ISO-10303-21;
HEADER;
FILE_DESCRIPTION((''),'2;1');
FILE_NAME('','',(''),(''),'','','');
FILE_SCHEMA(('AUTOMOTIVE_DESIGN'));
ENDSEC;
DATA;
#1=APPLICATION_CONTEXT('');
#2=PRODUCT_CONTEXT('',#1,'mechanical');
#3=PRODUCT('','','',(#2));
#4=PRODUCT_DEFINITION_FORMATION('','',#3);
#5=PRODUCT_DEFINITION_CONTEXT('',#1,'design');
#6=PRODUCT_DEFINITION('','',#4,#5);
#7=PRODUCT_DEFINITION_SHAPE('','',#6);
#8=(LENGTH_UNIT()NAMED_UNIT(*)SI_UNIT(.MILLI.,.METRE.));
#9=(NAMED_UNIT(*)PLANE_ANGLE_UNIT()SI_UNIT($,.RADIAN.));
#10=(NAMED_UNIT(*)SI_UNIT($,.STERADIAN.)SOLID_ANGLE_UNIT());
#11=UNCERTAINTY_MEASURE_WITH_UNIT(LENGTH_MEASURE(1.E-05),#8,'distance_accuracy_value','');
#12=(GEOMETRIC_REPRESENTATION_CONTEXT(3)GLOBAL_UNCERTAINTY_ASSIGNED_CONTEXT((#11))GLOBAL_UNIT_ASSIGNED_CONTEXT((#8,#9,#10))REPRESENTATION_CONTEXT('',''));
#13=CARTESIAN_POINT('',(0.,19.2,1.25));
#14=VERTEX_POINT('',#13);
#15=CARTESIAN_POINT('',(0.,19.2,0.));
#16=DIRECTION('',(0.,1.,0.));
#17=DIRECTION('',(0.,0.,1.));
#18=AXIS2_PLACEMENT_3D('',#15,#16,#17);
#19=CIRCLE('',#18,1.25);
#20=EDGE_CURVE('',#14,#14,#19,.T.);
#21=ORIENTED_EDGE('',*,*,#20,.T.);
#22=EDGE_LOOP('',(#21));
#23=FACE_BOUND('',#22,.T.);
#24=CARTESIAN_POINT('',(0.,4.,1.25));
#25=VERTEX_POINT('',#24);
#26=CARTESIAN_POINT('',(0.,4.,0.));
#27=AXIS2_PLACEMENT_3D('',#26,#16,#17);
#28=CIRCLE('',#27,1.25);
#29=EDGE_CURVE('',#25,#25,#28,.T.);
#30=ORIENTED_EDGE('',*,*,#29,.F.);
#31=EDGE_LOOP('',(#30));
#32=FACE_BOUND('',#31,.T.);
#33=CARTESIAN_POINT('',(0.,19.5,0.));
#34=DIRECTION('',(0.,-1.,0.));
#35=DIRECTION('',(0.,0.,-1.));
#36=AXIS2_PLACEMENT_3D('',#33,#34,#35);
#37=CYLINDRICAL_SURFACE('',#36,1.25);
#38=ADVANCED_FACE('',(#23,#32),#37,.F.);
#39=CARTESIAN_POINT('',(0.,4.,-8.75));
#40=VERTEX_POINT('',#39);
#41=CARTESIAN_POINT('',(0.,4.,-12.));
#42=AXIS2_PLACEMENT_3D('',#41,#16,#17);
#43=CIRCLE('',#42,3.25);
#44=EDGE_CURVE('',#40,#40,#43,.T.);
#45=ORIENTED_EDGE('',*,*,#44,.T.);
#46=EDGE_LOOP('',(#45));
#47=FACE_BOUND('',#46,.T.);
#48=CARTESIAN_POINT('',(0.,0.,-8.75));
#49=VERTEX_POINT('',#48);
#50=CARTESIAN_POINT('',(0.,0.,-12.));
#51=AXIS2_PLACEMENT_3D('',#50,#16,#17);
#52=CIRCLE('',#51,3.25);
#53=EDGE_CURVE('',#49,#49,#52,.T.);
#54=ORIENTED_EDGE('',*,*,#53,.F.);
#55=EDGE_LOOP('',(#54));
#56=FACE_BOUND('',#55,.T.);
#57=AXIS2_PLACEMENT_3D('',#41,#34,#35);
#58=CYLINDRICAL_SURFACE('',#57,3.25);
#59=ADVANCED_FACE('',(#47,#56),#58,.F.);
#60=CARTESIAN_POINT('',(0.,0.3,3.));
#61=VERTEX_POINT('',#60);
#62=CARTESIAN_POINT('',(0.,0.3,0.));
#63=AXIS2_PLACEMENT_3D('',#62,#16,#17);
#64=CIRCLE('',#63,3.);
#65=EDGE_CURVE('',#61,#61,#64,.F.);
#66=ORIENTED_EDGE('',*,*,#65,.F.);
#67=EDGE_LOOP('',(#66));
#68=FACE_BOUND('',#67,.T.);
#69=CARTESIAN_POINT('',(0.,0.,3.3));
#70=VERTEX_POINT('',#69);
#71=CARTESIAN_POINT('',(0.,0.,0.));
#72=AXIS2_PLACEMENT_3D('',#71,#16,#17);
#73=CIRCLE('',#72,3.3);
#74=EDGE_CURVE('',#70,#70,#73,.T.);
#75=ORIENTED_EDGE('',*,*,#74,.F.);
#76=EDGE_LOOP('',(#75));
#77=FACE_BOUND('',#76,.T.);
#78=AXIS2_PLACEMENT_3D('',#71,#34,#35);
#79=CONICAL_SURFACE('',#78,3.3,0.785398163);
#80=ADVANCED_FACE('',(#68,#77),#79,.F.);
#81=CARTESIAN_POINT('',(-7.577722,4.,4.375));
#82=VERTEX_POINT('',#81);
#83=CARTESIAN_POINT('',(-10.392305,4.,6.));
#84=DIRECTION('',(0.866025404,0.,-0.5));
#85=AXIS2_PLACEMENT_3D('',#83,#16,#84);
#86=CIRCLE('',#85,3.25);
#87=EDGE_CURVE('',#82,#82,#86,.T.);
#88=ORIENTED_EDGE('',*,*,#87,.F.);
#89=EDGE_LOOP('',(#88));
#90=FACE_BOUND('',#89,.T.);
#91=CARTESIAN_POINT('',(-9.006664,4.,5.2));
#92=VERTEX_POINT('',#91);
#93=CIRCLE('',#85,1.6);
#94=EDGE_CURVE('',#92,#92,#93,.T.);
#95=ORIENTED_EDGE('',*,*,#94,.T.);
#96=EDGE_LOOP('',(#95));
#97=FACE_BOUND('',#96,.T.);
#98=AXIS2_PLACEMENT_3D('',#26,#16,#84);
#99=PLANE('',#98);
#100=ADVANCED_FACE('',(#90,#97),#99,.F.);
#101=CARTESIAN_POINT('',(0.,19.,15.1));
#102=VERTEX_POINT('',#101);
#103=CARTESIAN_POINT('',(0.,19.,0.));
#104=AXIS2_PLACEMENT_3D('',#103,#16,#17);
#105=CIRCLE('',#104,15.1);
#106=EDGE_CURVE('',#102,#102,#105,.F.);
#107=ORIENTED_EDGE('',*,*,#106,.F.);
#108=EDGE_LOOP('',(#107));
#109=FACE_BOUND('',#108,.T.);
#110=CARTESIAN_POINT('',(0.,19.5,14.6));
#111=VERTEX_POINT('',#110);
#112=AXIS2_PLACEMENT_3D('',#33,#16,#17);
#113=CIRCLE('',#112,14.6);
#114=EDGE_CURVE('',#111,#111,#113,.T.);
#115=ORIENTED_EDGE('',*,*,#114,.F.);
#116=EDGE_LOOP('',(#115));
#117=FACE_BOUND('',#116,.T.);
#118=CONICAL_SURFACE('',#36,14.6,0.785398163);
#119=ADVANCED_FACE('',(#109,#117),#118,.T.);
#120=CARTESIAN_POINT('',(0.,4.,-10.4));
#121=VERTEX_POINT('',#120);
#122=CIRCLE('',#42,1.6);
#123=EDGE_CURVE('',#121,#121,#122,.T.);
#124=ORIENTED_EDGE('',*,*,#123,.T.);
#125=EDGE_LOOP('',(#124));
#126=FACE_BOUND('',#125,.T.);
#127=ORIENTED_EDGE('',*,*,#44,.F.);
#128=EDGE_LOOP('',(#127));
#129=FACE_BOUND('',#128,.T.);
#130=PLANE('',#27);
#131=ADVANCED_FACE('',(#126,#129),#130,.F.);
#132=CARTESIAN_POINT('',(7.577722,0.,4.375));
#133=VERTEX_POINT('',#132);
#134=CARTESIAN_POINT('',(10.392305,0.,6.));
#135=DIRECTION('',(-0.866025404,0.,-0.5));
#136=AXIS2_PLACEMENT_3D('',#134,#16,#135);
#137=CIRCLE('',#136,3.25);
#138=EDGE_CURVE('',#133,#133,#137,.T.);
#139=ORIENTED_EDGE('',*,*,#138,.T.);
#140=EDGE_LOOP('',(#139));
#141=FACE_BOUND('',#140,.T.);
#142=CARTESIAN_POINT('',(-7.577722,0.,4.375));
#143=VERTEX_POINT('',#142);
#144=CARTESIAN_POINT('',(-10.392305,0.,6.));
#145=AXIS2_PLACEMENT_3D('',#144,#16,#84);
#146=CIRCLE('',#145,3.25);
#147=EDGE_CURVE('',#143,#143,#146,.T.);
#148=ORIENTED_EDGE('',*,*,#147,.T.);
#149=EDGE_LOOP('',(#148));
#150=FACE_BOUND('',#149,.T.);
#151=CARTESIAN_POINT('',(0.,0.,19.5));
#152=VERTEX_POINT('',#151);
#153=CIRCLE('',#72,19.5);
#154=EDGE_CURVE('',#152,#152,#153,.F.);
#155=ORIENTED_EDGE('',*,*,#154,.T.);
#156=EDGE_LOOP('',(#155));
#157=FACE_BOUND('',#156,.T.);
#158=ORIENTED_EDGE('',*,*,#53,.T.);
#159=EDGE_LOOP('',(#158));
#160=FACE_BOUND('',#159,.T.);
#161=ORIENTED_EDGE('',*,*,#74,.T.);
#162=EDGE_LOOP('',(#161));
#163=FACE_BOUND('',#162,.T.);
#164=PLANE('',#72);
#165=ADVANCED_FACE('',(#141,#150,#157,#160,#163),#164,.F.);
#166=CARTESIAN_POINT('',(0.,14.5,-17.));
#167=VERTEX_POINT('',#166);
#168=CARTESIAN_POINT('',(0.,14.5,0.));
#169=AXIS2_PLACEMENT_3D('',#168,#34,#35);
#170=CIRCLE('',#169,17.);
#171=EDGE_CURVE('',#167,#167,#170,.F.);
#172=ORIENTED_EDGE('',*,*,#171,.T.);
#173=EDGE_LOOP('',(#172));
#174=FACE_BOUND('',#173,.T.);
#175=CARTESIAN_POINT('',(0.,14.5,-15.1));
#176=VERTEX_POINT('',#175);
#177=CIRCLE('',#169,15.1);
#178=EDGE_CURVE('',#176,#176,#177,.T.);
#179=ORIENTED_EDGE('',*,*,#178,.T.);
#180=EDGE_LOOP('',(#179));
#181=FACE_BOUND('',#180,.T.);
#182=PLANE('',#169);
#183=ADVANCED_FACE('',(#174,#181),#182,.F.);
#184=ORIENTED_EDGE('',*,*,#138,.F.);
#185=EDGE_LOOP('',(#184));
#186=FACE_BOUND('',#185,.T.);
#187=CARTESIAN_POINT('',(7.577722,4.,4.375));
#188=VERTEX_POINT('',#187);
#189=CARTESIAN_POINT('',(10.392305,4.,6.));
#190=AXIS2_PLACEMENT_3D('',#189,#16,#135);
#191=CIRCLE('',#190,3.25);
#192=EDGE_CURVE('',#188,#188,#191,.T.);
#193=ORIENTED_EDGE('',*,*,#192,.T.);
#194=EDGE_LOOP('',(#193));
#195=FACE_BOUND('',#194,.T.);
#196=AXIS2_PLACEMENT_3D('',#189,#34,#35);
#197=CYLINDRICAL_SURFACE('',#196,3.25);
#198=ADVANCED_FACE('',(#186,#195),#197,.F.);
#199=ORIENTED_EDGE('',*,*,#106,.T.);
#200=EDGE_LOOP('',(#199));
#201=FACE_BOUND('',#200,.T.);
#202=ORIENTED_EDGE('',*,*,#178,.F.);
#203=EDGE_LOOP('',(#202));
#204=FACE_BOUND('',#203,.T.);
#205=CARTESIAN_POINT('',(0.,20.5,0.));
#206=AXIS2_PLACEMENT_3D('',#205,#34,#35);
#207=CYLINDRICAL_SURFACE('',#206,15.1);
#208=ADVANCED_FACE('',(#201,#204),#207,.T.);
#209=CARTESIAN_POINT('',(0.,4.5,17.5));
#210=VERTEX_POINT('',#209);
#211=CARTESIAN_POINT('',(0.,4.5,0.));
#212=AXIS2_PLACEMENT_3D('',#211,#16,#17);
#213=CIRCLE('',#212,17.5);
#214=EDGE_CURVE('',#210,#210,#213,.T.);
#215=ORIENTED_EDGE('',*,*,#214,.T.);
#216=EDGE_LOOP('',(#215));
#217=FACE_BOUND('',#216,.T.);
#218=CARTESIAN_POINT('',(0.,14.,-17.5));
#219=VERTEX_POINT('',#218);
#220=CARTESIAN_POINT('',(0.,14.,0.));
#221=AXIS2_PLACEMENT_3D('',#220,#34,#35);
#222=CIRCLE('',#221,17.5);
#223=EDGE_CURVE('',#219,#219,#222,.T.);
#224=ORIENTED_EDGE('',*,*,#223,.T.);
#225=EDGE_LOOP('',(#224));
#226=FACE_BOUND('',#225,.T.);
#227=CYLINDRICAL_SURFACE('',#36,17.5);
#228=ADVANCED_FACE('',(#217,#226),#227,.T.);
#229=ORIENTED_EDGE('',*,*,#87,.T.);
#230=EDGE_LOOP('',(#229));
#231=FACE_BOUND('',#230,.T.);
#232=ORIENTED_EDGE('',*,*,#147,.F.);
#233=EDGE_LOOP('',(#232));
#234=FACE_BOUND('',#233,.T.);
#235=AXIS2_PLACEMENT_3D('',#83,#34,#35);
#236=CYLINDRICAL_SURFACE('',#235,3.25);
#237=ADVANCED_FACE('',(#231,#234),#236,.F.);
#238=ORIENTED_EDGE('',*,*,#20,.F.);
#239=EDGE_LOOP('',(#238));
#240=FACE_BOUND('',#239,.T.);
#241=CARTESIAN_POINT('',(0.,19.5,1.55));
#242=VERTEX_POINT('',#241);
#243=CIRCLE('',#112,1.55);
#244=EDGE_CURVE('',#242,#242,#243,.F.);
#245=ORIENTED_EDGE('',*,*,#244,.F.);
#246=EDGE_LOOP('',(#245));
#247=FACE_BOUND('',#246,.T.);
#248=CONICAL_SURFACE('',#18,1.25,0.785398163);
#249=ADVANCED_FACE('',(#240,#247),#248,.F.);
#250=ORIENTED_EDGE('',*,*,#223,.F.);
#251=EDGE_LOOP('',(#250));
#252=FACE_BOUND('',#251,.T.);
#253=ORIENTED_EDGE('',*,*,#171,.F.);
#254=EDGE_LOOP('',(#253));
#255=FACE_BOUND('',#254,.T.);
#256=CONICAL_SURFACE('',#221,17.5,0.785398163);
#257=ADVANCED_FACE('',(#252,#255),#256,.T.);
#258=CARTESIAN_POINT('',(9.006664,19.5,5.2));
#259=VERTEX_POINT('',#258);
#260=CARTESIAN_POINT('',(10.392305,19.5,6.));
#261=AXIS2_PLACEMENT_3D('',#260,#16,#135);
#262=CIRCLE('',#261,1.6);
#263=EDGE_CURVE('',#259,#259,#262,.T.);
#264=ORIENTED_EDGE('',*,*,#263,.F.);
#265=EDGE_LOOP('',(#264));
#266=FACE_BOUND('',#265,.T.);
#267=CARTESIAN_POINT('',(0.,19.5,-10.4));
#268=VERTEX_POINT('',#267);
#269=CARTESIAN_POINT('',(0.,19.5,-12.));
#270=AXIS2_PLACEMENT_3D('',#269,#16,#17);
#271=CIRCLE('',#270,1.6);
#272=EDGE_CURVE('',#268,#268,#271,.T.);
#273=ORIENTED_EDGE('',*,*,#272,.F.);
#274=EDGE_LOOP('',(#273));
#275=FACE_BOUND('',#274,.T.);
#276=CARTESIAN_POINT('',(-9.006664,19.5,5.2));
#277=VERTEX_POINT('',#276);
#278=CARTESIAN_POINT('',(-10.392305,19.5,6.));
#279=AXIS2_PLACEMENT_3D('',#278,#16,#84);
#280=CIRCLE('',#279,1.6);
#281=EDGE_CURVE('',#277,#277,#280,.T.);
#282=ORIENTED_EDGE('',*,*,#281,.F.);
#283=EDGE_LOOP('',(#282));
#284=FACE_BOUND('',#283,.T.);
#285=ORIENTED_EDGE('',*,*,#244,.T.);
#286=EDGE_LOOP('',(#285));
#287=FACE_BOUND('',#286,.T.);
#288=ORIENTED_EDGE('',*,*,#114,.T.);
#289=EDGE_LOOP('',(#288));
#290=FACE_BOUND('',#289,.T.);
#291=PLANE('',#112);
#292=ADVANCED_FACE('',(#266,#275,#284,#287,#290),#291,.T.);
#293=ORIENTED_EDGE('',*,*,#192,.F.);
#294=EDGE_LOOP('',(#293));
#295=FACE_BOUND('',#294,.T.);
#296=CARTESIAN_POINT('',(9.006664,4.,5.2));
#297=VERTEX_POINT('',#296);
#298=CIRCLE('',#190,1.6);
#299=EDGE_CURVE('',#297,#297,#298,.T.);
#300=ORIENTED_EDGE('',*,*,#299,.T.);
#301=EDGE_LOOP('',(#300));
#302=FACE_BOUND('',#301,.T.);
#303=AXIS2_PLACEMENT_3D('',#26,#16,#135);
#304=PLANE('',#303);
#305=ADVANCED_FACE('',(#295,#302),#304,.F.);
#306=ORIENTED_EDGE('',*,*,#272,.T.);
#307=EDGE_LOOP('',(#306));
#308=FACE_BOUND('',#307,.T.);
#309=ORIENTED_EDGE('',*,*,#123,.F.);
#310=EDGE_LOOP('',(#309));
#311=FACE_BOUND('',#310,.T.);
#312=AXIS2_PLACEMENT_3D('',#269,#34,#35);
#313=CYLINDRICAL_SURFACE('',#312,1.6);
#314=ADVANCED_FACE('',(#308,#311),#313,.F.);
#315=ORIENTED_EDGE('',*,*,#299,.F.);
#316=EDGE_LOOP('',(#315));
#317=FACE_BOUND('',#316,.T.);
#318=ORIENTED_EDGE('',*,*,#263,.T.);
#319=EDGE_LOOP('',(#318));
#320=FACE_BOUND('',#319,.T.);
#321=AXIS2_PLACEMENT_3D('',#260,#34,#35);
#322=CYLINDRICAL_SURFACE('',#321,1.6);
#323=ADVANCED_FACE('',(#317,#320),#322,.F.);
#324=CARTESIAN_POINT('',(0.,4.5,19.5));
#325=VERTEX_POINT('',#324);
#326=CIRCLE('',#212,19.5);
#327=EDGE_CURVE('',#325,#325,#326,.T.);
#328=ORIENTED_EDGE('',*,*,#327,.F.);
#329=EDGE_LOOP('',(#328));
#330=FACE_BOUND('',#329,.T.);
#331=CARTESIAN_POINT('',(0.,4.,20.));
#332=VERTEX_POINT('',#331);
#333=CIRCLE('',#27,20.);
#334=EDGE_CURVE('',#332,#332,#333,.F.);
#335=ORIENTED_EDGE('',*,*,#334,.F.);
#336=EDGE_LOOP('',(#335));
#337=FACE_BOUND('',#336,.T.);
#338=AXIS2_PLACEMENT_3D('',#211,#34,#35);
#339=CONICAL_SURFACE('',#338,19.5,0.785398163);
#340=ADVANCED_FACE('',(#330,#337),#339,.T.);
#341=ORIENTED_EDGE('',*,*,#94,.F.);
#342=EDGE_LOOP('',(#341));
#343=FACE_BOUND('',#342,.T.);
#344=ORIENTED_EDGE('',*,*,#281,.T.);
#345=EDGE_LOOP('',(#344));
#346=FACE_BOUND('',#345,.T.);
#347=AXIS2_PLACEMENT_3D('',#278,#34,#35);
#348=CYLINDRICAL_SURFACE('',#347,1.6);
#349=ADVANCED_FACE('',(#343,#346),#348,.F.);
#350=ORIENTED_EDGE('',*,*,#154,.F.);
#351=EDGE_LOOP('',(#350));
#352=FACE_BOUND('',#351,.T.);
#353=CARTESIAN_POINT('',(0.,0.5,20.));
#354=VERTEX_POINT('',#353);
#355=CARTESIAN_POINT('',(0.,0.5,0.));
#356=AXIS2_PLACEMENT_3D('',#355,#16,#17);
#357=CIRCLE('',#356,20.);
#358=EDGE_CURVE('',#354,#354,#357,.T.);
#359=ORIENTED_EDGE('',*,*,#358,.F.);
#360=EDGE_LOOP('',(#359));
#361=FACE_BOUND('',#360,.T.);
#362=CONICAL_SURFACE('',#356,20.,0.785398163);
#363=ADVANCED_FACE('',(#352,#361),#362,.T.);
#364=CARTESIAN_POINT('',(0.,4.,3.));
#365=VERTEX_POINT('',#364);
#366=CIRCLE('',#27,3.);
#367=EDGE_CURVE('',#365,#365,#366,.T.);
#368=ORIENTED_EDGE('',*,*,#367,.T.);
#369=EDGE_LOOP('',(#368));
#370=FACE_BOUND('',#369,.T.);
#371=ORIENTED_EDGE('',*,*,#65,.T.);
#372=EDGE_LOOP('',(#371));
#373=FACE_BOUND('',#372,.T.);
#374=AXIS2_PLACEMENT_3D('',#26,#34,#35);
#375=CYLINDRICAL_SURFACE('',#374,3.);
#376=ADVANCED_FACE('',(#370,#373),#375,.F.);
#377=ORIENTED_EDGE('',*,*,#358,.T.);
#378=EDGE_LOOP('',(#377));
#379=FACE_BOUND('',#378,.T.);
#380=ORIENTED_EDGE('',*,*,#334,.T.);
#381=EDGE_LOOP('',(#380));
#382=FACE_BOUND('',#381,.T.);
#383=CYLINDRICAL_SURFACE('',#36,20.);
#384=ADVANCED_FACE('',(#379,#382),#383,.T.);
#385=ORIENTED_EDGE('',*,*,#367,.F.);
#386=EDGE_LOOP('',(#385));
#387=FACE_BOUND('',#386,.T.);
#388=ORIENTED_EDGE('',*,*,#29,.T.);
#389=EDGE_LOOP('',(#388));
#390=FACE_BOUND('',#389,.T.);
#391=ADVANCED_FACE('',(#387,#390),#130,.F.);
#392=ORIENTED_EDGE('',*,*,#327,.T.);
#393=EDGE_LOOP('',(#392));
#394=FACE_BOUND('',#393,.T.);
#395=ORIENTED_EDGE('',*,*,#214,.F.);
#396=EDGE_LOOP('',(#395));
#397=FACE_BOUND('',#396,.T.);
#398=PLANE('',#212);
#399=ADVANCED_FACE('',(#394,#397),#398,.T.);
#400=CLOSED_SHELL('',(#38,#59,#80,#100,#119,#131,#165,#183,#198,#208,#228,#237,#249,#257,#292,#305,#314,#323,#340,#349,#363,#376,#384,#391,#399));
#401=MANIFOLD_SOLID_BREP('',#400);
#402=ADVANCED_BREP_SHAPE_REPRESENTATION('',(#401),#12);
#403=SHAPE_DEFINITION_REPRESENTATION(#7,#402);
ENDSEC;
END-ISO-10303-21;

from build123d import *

# Parameters (mm, degrees)
SKETCH_1_R               = 20
EXTRUDE_1_DEPTH          = 19.5
CUT_EXTRUDE_START        = 4.5
SKETCH_2_OUTSIDE_W       = 53.968
SKETCH_2_OUTSIDE_H       = 53.968
SKETCH_2_OUTSIDE_R       = 17.5
CUT_EXTRUDE_1_DEPTH      = 30.854766773
CUT_EXTRUDE_START_2      = -14.5
SKETCH_3_OUTSIDE_W       = 53.968
SKETCH_3_OUTSIDE_H       = 53.968
SKETCH_3_OUTSIDE_R       = 15.1
CUT_EXTRUDE_2_DEPTH      = 6
SKETCH_4_R               = 1.25
CUT_EXTRUDE_3_DEPTH      = 35.354766773
SKETCH_4_3_R             = 1.6
CUT_EXTRUDE_4_DEPTH      = 35.354766773
SKETCH_4_4_R             = 3.25
SKETCH_4_4_R_2           = 1.6
CUT_EXTRUDE_5_DEPTH      = 4
PATTERN_CIRCULAR_1_COUNT = 3
CHAMFER_1_SIZE           = 0.5
SKETCH_4_5_R             = 3
SKETCH_4_5_R_2           = 1.25
CUT_EXTRUDE_6_DEPTH      = 4
CHAMFER_2_SIZE           = 0.3


with BuildPart() as part:
    # Эскиз1 → Бобышка-Вытянуть1 (new body)
    with BuildSketch(Plane(origin=(0, 0, 0), x_dir=(1, 0, 0), z_dir=(0, 1, 0))):
        Circle(SKETCH_1_R)
    extrude(amount=EXTRUDE_1_DEPTH)

    # Эскиз2 outside → Вырез-Вытянуть1 (cut, through all)
    with BuildSketch(Plane(origin=(0, 0, 0), x_dir=(1, 0, 0), z_dir=(0, 1, 0)).offset(CUT_EXTRUDE_START)):
        Rectangle(SKETCH_2_OUTSIDE_W, SKETCH_2_OUTSIDE_H)
        Circle(SKETCH_2_OUTSIDE_R, mode=Mode.SUBTRACT)
    extrude(amount=CUT_EXTRUDE_1_DEPTH, mode=Mode.SUBTRACT)

    # Эскиз3 outside → Вырез-Вытянуть2 (cut)
    with BuildSketch(Plane.XZ.offset(CUT_EXTRUDE_START_2)):
        Rectangle(SKETCH_3_OUTSIDE_W, SKETCH_3_OUTSIDE_H)
        Circle(SKETCH_3_OUTSIDE_R, mode=Mode.SUBTRACT)
    extrude(amount=-CUT_EXTRUDE_2_DEPTH, mode=Mode.SUBTRACT)

    # Эскиз4 → Вырез-Вытянуть3 (cut, through all)
    with BuildSketch(Plane(origin=(0, 0, 0), x_dir=(1, 0, 0), z_dir=(0, 1, 0))):
        Circle(SKETCH_4_R)
    extrude(amount=CUT_EXTRUDE_3_DEPTH, mode=Mode.SUBTRACT)

    # Эскиз4<3> → Вырез-Вытянуть4 (cut, through all)
    with BuildSketch(Plane(origin=(0, 0, 0), x_dir=(1, 0, 0), z_dir=(0, 1, 0))):
        with Locations((0, 12)):
            Circle(SKETCH_4_3_R)
    cut_extrude_4 = extrude(amount=CUT_EXTRUDE_4_DEPTH, mode=Mode.SUBTRACT)

    # Эскиз4<4> → Вырез-Вытянуть5 (cut)
    with BuildSketch(Plane(origin=(0, 0, 0), x_dir=(1, 0, 0), z_dir=(0, 1, 0))):
        with Locations((0, 12)):
            Circle(SKETCH_4_4_R)
        with Locations((0, 12)):
            Circle(SKETCH_4_4_R_2, mode=Mode.SUBTRACT)
    cut_extrude_5 = extrude(amount=CUT_EXTRUDE_5_DEPTH, mode=Mode.SUBTRACT)

    # Круговой массив1: Вырез-Вытянуть4, Вырез-Вытянуть5 ×3 about axis
    pattern_circular_1_axis = Axis((0, 19.5, 0), (0, -1, 0))
    add([cut_extrude_4.rotate(pattern_circular_1_axis, i * 360 / PATTERN_CIRCULAR_1_COUNT) for i in range(1, PATTERN_CIRCULAR_1_COUNT)], mode=Mode.SUBTRACT)
    add([cut_extrude_5.rotate(pattern_circular_1_axis, i * 360 / PATTERN_CIRCULAR_1_COUNT) for i in range(1, PATTERN_CIRCULAR_1_COUNT)], mode=Mode.SUBTRACT)

    # Фаска1
    chamfer_1_edges = [part.edges().sort_by_distance(p)[0] for p in [
        (-20, 4.5, 0),
        (-20, 0, 0),
        (-15.1, 19.5, 0),
        (-17.5, 14.5, 0),
    ]]
    chamfer(chamfer_1_edges, length=CHAMFER_1_SIZE)

    # Эскиз4<5> → Вырез-Вытянуть6 (cut)
    with BuildSketch(Plane(origin=(0, 0, 0), x_dir=(1, 0, 0), z_dir=(0, 1, 0))):
        Circle(SKETCH_4_5_R)
        Circle(SKETCH_4_5_R_2, mode=Mode.SUBTRACT)
    extrude(amount=CUT_EXTRUDE_6_DEPTH, mode=Mode.SUBTRACT)

    # Фаска2
    chamfer_2_edges = [part.edges().sort_by_distance(p)[0] for p in [
        (-1.25, 19.5, 0),
        (-3, 0, 0),
    ]]
    chamfer(chamfer_2_edges, length=CHAMFER_2_SIZE)


solid = part.part
